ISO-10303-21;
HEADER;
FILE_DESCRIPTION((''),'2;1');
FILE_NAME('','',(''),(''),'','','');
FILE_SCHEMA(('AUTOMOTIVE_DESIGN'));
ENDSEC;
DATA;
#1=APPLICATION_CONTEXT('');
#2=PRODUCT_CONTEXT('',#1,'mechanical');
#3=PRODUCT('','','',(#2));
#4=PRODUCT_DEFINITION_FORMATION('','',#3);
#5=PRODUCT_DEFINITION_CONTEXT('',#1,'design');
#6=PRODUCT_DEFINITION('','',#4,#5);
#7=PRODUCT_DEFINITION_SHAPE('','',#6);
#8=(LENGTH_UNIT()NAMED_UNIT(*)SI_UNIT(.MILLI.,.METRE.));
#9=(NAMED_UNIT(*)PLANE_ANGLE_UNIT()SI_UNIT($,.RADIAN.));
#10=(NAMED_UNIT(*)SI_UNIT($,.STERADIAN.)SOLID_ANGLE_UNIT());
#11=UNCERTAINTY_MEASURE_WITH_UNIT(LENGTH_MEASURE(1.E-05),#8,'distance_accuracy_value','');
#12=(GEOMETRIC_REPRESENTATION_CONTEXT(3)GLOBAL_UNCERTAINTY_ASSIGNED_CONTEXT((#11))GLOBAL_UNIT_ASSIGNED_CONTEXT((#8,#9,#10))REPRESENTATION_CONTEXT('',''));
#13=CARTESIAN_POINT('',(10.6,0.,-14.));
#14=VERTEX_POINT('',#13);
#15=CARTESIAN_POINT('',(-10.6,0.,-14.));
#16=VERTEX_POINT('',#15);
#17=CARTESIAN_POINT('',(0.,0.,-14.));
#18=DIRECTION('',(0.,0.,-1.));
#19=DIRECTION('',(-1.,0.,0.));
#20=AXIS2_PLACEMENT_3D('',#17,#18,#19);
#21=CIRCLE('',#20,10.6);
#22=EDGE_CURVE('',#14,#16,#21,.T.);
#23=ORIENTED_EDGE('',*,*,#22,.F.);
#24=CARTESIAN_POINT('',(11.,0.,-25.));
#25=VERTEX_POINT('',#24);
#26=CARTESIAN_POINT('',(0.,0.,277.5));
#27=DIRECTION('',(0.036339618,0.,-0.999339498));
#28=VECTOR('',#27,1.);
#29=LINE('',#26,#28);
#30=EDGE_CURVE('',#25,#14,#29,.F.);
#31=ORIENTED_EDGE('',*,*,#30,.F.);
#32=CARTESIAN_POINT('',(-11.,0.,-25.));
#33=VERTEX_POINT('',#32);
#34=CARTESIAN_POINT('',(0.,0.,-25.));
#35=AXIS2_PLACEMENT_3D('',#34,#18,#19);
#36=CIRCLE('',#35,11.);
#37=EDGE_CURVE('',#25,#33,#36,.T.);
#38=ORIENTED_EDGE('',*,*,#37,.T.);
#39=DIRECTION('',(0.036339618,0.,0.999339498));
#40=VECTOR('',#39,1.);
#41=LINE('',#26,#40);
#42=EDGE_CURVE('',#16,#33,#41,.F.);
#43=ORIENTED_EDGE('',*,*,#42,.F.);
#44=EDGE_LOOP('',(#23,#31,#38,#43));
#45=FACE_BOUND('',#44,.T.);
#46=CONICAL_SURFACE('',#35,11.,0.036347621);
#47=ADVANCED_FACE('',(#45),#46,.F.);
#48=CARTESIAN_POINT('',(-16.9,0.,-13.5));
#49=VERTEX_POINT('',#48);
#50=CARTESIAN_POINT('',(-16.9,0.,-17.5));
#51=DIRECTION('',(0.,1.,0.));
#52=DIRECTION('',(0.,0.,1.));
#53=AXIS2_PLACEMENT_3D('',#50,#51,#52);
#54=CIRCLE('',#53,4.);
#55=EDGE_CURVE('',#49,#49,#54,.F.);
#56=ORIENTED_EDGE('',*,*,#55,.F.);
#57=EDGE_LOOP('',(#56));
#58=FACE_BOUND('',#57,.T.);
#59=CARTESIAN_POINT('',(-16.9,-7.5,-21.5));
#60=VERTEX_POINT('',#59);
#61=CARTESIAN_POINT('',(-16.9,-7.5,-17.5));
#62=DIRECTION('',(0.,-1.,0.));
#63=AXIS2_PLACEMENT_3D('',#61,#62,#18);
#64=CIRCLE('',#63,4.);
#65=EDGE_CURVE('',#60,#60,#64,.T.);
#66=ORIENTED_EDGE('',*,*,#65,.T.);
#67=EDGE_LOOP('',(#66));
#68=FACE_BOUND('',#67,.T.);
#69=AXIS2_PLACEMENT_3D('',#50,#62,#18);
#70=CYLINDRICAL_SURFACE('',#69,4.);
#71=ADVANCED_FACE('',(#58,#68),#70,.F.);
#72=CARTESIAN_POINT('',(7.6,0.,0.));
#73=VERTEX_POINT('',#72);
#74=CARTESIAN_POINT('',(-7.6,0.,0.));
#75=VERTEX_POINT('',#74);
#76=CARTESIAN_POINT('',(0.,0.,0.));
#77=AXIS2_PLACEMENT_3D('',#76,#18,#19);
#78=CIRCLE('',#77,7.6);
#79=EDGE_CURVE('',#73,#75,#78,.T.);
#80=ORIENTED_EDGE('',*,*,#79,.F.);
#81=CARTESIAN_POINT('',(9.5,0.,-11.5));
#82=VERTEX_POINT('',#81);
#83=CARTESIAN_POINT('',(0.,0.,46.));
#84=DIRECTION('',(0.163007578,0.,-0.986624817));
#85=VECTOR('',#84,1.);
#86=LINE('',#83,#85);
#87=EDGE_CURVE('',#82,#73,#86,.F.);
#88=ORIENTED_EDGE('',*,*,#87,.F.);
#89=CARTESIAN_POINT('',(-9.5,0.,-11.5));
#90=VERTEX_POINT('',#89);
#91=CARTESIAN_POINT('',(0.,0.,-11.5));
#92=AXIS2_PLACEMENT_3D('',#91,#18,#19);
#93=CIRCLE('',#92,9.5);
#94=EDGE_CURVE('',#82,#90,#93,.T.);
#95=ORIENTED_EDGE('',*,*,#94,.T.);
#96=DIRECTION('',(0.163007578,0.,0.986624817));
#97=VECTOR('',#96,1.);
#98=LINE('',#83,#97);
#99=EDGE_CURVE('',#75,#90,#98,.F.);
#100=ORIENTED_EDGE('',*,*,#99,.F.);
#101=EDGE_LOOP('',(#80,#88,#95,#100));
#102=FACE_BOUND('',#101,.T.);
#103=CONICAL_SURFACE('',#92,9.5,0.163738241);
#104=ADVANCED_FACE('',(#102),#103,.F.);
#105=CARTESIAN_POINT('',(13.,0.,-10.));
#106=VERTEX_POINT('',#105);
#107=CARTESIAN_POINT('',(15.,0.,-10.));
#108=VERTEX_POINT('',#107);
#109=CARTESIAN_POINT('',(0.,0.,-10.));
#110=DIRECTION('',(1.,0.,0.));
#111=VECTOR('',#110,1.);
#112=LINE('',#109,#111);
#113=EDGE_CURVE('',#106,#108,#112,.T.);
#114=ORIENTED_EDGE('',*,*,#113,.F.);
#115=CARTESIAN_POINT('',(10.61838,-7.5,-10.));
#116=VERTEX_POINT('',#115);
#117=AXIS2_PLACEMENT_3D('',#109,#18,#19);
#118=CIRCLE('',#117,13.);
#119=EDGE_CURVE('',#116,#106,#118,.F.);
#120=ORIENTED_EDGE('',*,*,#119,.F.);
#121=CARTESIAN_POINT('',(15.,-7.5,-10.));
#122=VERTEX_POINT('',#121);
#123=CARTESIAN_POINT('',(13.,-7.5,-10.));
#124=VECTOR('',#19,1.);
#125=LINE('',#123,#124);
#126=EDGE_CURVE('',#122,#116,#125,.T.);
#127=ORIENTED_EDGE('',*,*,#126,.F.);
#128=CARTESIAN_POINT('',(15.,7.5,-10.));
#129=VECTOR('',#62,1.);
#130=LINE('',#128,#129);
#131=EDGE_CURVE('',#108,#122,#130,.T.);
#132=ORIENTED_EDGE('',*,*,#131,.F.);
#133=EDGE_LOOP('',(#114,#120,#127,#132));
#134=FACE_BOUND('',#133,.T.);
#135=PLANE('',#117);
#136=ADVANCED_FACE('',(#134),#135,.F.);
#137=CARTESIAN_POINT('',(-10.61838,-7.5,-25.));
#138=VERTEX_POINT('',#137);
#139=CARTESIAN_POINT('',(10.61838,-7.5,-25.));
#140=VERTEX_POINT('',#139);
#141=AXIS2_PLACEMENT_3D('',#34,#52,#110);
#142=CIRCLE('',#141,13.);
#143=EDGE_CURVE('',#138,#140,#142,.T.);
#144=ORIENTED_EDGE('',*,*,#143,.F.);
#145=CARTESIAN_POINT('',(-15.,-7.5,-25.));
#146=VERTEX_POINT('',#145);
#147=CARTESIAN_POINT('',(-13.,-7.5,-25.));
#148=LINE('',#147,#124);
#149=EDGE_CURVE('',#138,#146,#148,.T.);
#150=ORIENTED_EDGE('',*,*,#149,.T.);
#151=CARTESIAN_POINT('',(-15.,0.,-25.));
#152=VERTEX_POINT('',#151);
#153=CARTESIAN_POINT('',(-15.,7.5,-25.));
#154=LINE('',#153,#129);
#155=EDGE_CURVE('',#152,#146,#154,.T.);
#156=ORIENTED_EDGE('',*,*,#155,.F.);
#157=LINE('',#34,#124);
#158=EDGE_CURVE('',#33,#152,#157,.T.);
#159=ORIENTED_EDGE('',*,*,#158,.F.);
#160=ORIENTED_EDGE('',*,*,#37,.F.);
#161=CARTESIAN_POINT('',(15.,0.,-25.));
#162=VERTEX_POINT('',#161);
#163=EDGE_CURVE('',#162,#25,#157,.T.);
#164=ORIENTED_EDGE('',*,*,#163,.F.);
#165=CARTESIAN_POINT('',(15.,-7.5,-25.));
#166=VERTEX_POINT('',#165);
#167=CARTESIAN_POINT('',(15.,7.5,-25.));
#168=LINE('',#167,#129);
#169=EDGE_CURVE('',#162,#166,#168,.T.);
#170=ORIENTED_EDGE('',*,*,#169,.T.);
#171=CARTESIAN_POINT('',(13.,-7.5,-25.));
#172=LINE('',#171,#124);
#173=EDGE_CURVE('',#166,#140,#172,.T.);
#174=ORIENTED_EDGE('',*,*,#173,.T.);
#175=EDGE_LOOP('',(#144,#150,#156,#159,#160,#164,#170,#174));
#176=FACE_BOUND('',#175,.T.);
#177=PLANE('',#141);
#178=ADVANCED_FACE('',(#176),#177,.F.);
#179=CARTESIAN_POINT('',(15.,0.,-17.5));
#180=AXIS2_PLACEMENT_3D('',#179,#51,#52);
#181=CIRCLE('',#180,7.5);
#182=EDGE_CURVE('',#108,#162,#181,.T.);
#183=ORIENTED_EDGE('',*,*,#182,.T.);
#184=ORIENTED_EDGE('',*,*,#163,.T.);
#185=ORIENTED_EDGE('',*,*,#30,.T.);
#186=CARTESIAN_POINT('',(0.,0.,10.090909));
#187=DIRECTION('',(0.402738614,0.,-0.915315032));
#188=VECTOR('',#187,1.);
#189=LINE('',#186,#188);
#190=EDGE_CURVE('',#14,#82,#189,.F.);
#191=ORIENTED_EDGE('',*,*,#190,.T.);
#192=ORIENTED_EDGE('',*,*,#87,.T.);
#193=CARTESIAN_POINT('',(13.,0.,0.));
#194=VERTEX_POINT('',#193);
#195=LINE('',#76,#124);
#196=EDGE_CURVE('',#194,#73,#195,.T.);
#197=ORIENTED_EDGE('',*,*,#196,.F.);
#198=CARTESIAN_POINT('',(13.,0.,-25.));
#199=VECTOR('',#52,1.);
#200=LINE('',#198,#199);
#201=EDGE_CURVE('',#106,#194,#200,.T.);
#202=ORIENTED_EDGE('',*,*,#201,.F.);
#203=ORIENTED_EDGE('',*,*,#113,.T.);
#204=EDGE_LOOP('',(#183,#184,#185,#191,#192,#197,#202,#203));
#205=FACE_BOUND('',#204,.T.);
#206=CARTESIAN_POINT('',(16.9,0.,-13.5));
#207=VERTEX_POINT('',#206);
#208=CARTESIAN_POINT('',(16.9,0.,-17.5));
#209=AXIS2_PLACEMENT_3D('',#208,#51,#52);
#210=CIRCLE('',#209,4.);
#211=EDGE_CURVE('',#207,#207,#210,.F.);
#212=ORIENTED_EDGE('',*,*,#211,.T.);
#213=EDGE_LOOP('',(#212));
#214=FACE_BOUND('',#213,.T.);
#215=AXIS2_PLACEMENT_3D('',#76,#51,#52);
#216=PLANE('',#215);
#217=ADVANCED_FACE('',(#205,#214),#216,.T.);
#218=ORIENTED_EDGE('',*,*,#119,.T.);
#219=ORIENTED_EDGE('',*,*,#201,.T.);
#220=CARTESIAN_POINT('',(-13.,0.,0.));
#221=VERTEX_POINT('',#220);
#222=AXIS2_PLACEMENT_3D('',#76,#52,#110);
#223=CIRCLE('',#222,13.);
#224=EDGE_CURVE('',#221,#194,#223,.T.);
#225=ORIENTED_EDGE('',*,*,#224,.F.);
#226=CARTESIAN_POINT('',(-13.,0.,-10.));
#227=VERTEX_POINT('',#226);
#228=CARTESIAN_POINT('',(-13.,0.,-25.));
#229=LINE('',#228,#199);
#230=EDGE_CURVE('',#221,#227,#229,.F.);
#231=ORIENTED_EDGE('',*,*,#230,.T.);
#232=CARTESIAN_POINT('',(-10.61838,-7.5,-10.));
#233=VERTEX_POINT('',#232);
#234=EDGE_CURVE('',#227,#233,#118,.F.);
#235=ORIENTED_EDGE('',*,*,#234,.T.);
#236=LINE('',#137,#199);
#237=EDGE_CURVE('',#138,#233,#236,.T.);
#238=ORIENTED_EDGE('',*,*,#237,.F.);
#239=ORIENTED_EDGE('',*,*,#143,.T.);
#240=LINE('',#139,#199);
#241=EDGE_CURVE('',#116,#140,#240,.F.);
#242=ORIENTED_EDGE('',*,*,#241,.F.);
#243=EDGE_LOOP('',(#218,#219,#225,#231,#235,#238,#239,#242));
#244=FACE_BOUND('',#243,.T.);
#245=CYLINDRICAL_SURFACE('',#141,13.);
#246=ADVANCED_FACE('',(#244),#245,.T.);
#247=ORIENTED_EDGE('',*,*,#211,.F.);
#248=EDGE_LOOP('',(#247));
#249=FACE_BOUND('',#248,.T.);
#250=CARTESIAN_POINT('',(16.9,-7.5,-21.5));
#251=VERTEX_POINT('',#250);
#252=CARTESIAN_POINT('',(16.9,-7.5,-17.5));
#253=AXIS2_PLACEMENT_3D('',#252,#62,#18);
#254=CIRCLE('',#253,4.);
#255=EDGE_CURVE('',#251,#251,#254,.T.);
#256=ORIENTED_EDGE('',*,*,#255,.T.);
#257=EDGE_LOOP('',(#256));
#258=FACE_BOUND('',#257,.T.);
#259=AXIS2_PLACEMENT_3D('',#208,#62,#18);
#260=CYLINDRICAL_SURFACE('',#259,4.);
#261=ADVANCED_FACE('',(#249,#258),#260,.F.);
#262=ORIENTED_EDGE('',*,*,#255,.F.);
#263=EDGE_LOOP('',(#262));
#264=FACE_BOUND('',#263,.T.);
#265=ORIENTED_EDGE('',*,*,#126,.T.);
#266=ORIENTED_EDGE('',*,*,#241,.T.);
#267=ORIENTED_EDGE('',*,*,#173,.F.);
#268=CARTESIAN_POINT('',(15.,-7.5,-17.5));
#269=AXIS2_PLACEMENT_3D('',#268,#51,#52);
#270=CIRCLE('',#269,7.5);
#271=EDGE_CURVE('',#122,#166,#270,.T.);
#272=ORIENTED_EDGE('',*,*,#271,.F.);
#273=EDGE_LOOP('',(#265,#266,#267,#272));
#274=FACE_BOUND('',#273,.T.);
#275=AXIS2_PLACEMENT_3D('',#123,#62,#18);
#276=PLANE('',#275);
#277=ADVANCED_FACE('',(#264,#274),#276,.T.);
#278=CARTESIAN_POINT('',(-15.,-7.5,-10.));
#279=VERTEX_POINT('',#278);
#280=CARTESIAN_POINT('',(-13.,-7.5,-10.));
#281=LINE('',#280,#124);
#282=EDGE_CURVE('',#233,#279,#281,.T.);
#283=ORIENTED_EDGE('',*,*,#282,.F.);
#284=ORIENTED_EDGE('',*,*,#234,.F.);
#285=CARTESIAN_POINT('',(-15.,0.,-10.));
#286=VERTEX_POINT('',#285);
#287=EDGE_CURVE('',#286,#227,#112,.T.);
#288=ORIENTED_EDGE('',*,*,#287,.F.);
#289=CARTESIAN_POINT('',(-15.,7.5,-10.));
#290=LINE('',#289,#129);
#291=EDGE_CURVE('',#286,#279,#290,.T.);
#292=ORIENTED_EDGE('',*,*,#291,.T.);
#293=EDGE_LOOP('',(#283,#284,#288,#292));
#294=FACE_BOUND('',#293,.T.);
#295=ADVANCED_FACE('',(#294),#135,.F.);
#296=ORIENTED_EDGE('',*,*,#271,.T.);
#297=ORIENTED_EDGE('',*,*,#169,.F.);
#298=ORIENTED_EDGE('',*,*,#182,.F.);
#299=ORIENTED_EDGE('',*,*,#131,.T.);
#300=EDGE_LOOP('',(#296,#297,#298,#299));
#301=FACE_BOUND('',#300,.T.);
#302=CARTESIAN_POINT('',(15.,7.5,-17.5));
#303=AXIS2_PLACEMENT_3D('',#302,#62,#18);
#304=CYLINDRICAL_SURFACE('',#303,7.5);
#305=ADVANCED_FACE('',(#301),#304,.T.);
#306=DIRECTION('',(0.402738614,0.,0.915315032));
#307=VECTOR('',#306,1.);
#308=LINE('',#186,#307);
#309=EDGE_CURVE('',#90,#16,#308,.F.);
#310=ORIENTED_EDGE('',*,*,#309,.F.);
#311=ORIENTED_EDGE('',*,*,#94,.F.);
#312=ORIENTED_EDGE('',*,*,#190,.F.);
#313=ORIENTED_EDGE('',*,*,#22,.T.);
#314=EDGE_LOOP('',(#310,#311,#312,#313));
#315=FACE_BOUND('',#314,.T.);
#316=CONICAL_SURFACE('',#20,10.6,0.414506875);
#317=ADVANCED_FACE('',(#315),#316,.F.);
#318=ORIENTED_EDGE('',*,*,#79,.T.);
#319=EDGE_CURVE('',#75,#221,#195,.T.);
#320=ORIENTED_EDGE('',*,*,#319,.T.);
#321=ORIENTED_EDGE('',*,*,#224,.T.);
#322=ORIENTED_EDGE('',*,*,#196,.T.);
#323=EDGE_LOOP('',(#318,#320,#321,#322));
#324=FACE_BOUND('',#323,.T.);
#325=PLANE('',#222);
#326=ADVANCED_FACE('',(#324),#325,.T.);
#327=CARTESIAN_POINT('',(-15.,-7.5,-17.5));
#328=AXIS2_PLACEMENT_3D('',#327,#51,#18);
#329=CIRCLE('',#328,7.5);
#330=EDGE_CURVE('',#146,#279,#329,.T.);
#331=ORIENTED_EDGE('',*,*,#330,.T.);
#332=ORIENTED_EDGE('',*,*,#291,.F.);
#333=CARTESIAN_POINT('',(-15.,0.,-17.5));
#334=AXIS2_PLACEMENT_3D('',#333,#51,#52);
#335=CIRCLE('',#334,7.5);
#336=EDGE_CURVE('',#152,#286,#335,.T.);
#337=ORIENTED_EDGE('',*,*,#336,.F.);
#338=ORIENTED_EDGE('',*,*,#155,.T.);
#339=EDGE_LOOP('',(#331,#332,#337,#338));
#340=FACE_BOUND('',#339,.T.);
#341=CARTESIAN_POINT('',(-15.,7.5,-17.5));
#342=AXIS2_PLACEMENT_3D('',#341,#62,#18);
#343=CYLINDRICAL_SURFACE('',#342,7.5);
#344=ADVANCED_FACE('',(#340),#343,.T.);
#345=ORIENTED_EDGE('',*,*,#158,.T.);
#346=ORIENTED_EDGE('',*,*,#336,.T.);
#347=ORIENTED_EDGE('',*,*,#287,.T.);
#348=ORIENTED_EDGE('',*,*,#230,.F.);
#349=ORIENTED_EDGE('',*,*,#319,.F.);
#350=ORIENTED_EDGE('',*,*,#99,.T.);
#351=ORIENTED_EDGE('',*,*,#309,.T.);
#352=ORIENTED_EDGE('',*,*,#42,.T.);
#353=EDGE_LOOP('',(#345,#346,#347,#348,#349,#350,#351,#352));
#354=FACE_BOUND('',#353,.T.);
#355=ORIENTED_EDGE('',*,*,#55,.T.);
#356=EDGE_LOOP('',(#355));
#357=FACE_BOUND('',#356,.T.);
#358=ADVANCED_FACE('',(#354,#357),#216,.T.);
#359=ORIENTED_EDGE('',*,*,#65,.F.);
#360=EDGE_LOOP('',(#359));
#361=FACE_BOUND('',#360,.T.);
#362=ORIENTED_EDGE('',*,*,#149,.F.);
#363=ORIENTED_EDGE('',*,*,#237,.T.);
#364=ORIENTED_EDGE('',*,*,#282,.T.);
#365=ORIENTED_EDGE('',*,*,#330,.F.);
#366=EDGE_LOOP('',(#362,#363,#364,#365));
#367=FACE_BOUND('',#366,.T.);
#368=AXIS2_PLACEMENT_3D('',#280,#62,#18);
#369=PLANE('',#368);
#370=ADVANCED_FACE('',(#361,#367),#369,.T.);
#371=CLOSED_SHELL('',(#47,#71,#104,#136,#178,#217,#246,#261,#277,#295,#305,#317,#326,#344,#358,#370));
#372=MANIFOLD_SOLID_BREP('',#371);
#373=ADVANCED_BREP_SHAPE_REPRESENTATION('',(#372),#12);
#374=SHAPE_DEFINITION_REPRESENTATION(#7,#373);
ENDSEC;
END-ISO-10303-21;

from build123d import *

# Parameters (mm, degrees)
SKETCH1_R             = 13
BOSS_EXTRUDE1_DEPTH   = 25
BOSS_EXTRUDE2_DEPTH   = 7.5
BOSS_EXTRUDE2_2_DEPTH = 7.5
BOSS_EXTRUDE3_DEPTH   = 15
SKETCH5_R             = 3
CUT_EXTRUDE1_DEPTH    = 40.389084782
SKETCH6_R             = 4.45
CUT_EXTRUDE2_DEPTH    = 3
SKETCH7_R             = 4
CUT_EXTRUDE3_DEPTH    = 7.5
SKETCH8_W             = 50
SKETCH8_H             = 50
CUT_EXTRUDE4_DEPTH    = 37.058979464


with BuildPart() as part:
    # Sketch1 → Boss-Extrude1 (new body)
    with BuildSketch(Plane.XY):
        Circle(SKETCH1_R)
    extrude(amount=-BOSS_EXTRUDE1_DEPTH)

    # Sketch2 → Cut-Revolve1 (revolve, cut)
    with BuildSketch(Plane(origin=(0, 0, 0), x_dir=(0, 0, -1), z_dir=(1, 0, 0)), mode=Mode.PRIVATE) as cut_revolve1_sk:
        Polygon((0, 0), (0, 7.6), (11.5, 9.5), (14, 10.6), (25, 11), (25, 0), align=None)
    revolve(cut_revolve1_sk.sketch.rotate(Axis((0, 0, -25), (0, 0, 1)), 90), axis=Axis((0, 0, -25), (0, 0, 1)), mode=Mode.SUBTRACT)



with BuildPart() as body_2:
    # Sketch3 → Boss-Extrude2 (new, symmetric)
    with BuildSketch(Plane(origin=(0, 0, 0), x_dir=(1, 0, 0), z_dir=(0, 1, 0))):
        with BuildLine():
            Line((-13, 25), (-13, 10))
            Line((-13, 10), (-15, 10))
            ThreePointArc((-15, 10), (-22.5, 17.5), (-15, 25))
            Line((-15, 25), (-13, 25))
        make_face()
    extrude(amount=BOSS_EXTRUDE2_DEPTH, both=True)


with BuildPart() as body_3:
    # Sketch3 → Boss-Extrude2 2 (new, symmetric)
    with BuildSketch(Plane(origin=(0, 0, 0), x_dir=(1, 0, 0), z_dir=(0, 1, 0))):
        with BuildLine():
            Line((13, 25), (15, 25))
            ThreePointArc((15, 25), (22.5, 17.5), (15, 10))
            Line((15, 10), (13, 10))
            Line((13, 10), (13, 25))
        make_face()
    extrude(amount=BOSS_EXTRUDE2_2_DEPTH, both=True)


with BuildPart() as part_1:
    add(part.part)

    add(body_2.part)  # Boss-Extrude3 merges body 2

    add(body_3.part)  # Boss-Extrude3 merges body 3
    # Sketch4 → Boss-Extrude3 (add)
    with BuildSketch(Plane(origin=(0, 0, -25), x_dir=(-1, 0, 0), z_dir=(0, 0, -1))):
        with BuildLine():
            Line((-13, 7.5), (-13, -7.5))
            Line((-13, -7.5), (-8.04673847, -7.5))
            ThreePointArc((-8.04673847, -7.5), (-11, 0), (-8.04673847, 7.5))
            Line((-8.04673847, 7.5), (-13, 7.5))
        make_face()
        with BuildLine():
            Line((13, 7.5), (13, -7.5))
            Line((13, -7.5), (8.04673847, -7.5))
            ThreePointArc((8.04673847, -7.5), (11, 0), (8.04673847, 7.5))
            Line((8.04673847, 7.5), (13, 7.5))
        make_face()
    extrude(amount=-BOSS_EXTRUDE3_DEPTH)

    # Sketch5 → Cut-Extrude1 (cut, through all)
    with BuildSketch(Plane(origin=(0, 7.5, 0), x_dir=(1, 0, 0), z_dir=(0, 1, 0))):
        with Locations(Location((16.9, 17.5, 0), (0, 0, 270))):
            Circle(SKETCH5_R)
        with Locations(Location((-16.9, 17.5, 0), (0, 0, 270))):
            Circle(SKETCH5_R)
    extrude(amount=-CUT_EXTRUDE1_DEPTH, mode=Mode.SUBTRACT)

    # Sketch6 → Cut-Extrude2 (cut)
    with BuildSketch(Plane(origin=(0, 7.5, 0), x_dir=(1, 0, 0), z_dir=(0, 1, 0))):
        with Locations(Location((-16.9, 17.5, 0), (0, 0, 270))):
            Circle(SKETCH6_R)
        with Locations(Location((16.9, 17.5, 0), (0, 0, 270))):
            Circle(SKETCH6_R)
    extrude(amount=-CUT_EXTRUDE2_DEPTH, mode=Mode.SUBTRACT)

    # Sketch7 → Cut-Extrude3 (cut)
    with BuildSketch(Plane.XZ.offset(7.5)):
        with Locations(Location((-16.9, -17.5, 0), (0, 0, 270))):
            Circle(SKETCH7_R)
        with Locations(Location((16.9, -17.5, 0), (0, 0, 270))):
            Circle(SKETCH7_R)
    extrude(amount=-CUT_EXTRUDE3_DEPTH, mode=Mode.SUBTRACT)

    # Sketch8 → Cut-Extrude4 (cut, through all)
    with BuildSketch(Plane(origin=(0, 0, 0), x_dir=(1, 0, 0), z_dir=(0, 1, 0))):
        with Locations((0, 14.017641389)):
            Rectangle(SKETCH8_W, SKETCH8_H)
    extrude(amount=CUT_EXTRUDE4_DEPTH, mode=Mode.SUBTRACT)


solid = part_1.part
